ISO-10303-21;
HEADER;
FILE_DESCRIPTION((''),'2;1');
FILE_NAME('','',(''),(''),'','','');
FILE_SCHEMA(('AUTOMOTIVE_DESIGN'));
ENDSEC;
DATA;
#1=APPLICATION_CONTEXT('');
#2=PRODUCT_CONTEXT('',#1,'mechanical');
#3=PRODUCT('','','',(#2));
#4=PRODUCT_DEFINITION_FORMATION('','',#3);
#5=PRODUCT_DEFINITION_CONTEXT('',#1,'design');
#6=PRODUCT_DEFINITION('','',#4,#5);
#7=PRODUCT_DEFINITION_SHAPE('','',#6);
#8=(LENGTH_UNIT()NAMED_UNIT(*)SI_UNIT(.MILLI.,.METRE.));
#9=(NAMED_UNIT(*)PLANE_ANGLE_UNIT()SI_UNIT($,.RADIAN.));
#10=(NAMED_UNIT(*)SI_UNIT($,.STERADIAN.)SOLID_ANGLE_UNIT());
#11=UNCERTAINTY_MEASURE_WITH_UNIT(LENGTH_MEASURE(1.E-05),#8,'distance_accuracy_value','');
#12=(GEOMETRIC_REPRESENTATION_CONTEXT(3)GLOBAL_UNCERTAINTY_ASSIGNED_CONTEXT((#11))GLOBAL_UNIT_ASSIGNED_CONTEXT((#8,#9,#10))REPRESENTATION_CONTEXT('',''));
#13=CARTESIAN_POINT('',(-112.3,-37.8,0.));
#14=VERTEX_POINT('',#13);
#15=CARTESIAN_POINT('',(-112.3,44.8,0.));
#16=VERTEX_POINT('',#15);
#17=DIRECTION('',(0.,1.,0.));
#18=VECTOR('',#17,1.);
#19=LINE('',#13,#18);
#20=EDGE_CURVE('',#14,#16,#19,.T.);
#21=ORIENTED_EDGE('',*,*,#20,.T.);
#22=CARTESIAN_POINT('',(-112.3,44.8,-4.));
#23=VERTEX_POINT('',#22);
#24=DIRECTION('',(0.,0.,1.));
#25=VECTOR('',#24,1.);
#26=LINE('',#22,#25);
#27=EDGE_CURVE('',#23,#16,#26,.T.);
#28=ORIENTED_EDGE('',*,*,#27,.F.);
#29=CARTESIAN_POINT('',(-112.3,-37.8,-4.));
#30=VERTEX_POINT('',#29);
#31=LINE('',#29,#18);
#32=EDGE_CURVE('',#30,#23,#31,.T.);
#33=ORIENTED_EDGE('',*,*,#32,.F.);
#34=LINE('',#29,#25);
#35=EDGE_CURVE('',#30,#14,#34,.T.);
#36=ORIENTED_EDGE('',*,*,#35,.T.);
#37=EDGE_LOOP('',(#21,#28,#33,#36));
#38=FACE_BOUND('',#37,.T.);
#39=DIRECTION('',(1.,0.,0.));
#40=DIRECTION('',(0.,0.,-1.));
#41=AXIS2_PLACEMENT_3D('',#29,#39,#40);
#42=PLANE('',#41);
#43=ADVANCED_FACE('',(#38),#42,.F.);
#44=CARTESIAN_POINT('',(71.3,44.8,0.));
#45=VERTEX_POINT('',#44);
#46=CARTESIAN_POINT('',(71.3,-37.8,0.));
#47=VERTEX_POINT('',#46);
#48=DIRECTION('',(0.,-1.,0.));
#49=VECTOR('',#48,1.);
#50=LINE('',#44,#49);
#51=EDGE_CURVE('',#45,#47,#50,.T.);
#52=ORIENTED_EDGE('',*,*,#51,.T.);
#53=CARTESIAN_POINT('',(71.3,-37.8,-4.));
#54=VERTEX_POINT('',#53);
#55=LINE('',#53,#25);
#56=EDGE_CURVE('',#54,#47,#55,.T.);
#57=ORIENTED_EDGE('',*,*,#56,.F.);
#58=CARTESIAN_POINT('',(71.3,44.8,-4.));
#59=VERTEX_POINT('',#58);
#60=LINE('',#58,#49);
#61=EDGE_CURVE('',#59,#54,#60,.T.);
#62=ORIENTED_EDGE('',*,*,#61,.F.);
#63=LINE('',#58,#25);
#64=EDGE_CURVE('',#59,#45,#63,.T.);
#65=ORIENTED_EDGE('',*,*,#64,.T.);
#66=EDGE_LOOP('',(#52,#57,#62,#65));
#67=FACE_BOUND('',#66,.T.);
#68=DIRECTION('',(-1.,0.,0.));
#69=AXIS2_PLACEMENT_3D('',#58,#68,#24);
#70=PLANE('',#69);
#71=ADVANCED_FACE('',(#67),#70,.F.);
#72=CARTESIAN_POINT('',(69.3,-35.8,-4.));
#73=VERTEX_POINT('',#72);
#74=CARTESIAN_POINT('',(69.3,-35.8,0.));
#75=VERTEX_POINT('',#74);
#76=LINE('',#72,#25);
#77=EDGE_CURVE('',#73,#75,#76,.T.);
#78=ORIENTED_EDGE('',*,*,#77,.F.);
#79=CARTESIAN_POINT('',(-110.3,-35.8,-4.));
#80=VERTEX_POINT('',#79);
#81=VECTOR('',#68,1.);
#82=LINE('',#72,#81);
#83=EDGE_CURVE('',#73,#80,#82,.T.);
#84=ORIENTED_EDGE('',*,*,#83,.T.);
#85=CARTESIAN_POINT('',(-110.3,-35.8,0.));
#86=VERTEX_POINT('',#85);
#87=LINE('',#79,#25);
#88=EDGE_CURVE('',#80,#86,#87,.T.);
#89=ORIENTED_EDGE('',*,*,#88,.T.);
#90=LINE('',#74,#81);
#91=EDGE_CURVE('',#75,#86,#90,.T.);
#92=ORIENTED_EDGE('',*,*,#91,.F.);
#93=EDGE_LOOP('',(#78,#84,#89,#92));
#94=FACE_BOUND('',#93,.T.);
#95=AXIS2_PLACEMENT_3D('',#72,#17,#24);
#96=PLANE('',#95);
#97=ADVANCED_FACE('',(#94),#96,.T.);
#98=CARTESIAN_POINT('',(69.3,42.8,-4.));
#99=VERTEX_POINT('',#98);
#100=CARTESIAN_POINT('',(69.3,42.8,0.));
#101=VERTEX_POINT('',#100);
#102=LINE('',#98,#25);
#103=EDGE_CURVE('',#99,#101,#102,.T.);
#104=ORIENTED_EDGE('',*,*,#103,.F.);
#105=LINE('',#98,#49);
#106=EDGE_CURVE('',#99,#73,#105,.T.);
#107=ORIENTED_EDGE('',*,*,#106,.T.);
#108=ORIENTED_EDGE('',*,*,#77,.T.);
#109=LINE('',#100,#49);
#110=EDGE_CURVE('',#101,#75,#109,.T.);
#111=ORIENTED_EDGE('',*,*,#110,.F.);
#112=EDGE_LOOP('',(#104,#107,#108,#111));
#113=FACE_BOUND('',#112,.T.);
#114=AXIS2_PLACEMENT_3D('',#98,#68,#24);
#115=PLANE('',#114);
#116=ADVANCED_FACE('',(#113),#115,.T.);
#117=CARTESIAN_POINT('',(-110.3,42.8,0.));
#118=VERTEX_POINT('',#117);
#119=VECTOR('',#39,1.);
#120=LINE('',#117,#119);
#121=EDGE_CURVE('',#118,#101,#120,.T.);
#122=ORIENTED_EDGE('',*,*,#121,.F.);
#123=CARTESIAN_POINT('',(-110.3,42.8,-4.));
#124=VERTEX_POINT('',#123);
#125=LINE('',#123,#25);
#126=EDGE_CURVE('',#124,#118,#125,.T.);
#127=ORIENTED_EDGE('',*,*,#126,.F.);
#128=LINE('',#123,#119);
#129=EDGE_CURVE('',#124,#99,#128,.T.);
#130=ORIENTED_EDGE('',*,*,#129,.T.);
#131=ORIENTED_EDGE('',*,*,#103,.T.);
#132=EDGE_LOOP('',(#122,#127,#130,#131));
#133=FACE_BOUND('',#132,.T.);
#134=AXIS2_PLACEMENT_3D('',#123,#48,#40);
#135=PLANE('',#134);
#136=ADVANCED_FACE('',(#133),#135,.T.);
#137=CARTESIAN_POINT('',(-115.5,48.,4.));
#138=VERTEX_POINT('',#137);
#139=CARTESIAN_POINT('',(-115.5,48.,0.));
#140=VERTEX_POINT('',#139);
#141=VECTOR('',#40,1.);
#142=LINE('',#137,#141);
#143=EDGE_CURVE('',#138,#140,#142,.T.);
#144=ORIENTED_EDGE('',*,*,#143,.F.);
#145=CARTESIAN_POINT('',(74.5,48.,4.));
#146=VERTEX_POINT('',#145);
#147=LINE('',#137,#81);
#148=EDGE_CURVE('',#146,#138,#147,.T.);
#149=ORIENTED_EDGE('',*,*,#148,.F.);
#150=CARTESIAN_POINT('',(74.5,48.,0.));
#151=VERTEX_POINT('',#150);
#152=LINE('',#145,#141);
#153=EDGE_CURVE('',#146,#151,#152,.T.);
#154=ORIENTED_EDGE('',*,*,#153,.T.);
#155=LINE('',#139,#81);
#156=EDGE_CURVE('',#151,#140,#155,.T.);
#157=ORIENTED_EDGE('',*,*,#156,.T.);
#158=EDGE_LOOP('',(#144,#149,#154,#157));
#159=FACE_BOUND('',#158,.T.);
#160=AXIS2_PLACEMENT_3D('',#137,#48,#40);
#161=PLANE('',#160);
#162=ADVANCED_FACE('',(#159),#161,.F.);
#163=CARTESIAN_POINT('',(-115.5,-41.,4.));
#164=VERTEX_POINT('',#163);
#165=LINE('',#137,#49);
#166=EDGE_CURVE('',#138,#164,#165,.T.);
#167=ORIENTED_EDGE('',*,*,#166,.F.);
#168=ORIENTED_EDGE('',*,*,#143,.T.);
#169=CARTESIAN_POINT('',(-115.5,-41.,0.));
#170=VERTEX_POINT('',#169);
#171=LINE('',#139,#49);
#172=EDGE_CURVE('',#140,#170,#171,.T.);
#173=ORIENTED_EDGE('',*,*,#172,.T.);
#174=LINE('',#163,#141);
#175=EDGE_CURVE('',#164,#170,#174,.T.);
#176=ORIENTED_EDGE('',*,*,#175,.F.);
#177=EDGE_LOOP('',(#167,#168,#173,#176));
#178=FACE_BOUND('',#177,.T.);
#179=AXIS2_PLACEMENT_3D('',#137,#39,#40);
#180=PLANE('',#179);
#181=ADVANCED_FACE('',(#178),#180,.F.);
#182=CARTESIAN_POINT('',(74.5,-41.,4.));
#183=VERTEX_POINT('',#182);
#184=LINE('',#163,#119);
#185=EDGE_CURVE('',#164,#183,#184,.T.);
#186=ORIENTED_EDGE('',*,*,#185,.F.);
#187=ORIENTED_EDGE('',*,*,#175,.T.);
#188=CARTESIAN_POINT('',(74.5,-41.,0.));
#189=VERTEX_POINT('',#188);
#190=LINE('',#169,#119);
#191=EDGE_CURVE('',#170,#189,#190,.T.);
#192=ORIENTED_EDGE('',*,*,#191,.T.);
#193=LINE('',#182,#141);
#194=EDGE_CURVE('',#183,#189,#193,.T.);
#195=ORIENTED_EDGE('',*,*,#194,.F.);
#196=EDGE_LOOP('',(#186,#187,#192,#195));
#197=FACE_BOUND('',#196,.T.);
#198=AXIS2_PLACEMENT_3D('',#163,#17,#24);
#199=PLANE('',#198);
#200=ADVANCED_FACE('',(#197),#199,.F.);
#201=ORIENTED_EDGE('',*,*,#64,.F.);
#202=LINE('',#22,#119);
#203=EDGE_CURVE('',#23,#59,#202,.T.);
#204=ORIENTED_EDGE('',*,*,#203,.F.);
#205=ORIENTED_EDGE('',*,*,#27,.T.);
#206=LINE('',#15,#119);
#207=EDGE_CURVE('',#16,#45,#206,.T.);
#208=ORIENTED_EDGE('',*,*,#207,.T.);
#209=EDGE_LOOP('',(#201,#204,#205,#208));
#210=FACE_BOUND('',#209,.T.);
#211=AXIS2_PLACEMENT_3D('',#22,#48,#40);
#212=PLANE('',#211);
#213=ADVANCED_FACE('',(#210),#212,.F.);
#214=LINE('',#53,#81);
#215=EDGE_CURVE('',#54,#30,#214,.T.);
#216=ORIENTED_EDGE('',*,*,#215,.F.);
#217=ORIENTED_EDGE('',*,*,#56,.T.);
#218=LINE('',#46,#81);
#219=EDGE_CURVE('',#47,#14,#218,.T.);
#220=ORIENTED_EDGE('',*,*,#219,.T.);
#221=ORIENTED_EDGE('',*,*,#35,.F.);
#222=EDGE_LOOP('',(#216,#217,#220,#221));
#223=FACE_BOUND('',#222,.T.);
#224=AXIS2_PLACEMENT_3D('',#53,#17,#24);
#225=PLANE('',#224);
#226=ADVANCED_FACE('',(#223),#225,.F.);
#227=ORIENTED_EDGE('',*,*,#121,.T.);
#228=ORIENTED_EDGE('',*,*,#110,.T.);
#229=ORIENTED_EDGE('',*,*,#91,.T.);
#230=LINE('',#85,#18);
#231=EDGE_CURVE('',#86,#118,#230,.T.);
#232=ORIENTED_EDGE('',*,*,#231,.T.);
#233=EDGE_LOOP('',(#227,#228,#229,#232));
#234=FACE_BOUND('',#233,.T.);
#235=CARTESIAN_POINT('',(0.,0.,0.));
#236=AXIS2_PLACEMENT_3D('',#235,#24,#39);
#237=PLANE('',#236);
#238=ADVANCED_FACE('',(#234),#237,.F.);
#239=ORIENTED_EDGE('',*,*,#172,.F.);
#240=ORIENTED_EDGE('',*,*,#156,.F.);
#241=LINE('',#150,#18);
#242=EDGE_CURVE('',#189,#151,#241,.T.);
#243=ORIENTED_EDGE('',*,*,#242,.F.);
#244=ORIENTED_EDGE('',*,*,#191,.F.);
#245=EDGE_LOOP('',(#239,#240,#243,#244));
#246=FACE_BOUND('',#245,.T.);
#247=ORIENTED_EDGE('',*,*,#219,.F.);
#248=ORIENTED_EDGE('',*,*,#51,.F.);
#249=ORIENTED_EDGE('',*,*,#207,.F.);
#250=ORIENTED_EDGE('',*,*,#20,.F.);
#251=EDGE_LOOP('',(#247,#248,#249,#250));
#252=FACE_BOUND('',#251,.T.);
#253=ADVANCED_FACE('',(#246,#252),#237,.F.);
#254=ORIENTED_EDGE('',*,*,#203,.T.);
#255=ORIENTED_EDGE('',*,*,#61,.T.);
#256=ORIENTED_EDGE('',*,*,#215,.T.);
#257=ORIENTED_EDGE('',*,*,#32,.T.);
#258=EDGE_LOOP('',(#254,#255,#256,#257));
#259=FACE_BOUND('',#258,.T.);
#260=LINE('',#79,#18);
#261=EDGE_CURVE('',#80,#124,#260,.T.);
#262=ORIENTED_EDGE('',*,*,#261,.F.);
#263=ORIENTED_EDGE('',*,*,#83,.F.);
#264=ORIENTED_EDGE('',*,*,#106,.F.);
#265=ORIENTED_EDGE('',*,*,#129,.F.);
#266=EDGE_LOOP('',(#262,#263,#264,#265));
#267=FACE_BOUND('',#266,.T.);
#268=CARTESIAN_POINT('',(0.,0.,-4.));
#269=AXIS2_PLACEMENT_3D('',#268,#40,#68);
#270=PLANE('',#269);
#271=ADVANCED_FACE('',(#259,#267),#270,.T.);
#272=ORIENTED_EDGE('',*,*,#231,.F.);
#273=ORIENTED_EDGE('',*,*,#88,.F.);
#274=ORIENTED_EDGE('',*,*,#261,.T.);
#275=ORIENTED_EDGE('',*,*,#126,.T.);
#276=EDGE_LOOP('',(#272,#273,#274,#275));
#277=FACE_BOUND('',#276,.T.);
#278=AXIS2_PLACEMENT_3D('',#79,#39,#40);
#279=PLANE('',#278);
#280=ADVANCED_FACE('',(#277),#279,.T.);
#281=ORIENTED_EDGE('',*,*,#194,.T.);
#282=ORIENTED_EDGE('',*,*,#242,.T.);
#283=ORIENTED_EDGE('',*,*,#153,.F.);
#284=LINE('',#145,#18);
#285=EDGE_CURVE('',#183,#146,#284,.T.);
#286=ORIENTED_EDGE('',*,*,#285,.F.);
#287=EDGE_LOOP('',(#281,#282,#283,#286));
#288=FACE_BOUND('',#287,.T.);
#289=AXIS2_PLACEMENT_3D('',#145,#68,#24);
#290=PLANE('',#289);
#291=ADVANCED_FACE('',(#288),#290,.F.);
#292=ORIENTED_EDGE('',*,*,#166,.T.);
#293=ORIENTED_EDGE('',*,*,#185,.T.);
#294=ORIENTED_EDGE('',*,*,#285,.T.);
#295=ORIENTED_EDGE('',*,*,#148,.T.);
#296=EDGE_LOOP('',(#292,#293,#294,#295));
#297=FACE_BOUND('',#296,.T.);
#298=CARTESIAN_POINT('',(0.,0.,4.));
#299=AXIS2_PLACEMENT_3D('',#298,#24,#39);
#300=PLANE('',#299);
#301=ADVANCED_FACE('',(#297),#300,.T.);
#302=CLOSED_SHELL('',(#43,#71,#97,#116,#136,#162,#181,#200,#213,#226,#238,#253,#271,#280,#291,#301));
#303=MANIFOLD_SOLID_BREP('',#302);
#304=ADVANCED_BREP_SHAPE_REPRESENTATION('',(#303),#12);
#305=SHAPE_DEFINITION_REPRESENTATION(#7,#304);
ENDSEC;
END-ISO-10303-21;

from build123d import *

# Parameters (mm, degrees)
SKETCH1_W           = 190
SKETCH1_H           = 89
BOSS_EXTRUDE1_DEPTH = 4
SKETCH2_W           = 183.6
SKETCH2_H           = 82.6
SKETCH2_W_2         = 179.6
SKETCH2_H_2         = 78.6
BOSS_EXTRUDE2_DEPTH = 4


with BuildPart() as part:
    # Sketch1 → Boss-Extrude1 (new body)
    with BuildSketch(Plane.XY):
        with Locations((-20.5, 3.5)):
            Rectangle(SKETCH1_W, SKETCH1_H)
    extrude(amount=BOSS_EXTRUDE1_DEPTH)

    # Sketch2 → Boss-Extrude2 (add)
    with BuildSketch(Plane(origin=(0, 0, 0), x_dir=(-1, 0, 0), z_dir=(0, 0, -1))):
        with Locations((20.5, 3.5)):
            Rectangle(SKETCH2_W, SKETCH2_H)
        with Locations((20.5, 3.5)):
            Rectangle(SKETCH2_W_2, SKETCH2_H_2, mode=Mode.SUBTRACT)
    extrude(amount=BOSS_EXTRUDE2_DEPTH)


solid = part.part
